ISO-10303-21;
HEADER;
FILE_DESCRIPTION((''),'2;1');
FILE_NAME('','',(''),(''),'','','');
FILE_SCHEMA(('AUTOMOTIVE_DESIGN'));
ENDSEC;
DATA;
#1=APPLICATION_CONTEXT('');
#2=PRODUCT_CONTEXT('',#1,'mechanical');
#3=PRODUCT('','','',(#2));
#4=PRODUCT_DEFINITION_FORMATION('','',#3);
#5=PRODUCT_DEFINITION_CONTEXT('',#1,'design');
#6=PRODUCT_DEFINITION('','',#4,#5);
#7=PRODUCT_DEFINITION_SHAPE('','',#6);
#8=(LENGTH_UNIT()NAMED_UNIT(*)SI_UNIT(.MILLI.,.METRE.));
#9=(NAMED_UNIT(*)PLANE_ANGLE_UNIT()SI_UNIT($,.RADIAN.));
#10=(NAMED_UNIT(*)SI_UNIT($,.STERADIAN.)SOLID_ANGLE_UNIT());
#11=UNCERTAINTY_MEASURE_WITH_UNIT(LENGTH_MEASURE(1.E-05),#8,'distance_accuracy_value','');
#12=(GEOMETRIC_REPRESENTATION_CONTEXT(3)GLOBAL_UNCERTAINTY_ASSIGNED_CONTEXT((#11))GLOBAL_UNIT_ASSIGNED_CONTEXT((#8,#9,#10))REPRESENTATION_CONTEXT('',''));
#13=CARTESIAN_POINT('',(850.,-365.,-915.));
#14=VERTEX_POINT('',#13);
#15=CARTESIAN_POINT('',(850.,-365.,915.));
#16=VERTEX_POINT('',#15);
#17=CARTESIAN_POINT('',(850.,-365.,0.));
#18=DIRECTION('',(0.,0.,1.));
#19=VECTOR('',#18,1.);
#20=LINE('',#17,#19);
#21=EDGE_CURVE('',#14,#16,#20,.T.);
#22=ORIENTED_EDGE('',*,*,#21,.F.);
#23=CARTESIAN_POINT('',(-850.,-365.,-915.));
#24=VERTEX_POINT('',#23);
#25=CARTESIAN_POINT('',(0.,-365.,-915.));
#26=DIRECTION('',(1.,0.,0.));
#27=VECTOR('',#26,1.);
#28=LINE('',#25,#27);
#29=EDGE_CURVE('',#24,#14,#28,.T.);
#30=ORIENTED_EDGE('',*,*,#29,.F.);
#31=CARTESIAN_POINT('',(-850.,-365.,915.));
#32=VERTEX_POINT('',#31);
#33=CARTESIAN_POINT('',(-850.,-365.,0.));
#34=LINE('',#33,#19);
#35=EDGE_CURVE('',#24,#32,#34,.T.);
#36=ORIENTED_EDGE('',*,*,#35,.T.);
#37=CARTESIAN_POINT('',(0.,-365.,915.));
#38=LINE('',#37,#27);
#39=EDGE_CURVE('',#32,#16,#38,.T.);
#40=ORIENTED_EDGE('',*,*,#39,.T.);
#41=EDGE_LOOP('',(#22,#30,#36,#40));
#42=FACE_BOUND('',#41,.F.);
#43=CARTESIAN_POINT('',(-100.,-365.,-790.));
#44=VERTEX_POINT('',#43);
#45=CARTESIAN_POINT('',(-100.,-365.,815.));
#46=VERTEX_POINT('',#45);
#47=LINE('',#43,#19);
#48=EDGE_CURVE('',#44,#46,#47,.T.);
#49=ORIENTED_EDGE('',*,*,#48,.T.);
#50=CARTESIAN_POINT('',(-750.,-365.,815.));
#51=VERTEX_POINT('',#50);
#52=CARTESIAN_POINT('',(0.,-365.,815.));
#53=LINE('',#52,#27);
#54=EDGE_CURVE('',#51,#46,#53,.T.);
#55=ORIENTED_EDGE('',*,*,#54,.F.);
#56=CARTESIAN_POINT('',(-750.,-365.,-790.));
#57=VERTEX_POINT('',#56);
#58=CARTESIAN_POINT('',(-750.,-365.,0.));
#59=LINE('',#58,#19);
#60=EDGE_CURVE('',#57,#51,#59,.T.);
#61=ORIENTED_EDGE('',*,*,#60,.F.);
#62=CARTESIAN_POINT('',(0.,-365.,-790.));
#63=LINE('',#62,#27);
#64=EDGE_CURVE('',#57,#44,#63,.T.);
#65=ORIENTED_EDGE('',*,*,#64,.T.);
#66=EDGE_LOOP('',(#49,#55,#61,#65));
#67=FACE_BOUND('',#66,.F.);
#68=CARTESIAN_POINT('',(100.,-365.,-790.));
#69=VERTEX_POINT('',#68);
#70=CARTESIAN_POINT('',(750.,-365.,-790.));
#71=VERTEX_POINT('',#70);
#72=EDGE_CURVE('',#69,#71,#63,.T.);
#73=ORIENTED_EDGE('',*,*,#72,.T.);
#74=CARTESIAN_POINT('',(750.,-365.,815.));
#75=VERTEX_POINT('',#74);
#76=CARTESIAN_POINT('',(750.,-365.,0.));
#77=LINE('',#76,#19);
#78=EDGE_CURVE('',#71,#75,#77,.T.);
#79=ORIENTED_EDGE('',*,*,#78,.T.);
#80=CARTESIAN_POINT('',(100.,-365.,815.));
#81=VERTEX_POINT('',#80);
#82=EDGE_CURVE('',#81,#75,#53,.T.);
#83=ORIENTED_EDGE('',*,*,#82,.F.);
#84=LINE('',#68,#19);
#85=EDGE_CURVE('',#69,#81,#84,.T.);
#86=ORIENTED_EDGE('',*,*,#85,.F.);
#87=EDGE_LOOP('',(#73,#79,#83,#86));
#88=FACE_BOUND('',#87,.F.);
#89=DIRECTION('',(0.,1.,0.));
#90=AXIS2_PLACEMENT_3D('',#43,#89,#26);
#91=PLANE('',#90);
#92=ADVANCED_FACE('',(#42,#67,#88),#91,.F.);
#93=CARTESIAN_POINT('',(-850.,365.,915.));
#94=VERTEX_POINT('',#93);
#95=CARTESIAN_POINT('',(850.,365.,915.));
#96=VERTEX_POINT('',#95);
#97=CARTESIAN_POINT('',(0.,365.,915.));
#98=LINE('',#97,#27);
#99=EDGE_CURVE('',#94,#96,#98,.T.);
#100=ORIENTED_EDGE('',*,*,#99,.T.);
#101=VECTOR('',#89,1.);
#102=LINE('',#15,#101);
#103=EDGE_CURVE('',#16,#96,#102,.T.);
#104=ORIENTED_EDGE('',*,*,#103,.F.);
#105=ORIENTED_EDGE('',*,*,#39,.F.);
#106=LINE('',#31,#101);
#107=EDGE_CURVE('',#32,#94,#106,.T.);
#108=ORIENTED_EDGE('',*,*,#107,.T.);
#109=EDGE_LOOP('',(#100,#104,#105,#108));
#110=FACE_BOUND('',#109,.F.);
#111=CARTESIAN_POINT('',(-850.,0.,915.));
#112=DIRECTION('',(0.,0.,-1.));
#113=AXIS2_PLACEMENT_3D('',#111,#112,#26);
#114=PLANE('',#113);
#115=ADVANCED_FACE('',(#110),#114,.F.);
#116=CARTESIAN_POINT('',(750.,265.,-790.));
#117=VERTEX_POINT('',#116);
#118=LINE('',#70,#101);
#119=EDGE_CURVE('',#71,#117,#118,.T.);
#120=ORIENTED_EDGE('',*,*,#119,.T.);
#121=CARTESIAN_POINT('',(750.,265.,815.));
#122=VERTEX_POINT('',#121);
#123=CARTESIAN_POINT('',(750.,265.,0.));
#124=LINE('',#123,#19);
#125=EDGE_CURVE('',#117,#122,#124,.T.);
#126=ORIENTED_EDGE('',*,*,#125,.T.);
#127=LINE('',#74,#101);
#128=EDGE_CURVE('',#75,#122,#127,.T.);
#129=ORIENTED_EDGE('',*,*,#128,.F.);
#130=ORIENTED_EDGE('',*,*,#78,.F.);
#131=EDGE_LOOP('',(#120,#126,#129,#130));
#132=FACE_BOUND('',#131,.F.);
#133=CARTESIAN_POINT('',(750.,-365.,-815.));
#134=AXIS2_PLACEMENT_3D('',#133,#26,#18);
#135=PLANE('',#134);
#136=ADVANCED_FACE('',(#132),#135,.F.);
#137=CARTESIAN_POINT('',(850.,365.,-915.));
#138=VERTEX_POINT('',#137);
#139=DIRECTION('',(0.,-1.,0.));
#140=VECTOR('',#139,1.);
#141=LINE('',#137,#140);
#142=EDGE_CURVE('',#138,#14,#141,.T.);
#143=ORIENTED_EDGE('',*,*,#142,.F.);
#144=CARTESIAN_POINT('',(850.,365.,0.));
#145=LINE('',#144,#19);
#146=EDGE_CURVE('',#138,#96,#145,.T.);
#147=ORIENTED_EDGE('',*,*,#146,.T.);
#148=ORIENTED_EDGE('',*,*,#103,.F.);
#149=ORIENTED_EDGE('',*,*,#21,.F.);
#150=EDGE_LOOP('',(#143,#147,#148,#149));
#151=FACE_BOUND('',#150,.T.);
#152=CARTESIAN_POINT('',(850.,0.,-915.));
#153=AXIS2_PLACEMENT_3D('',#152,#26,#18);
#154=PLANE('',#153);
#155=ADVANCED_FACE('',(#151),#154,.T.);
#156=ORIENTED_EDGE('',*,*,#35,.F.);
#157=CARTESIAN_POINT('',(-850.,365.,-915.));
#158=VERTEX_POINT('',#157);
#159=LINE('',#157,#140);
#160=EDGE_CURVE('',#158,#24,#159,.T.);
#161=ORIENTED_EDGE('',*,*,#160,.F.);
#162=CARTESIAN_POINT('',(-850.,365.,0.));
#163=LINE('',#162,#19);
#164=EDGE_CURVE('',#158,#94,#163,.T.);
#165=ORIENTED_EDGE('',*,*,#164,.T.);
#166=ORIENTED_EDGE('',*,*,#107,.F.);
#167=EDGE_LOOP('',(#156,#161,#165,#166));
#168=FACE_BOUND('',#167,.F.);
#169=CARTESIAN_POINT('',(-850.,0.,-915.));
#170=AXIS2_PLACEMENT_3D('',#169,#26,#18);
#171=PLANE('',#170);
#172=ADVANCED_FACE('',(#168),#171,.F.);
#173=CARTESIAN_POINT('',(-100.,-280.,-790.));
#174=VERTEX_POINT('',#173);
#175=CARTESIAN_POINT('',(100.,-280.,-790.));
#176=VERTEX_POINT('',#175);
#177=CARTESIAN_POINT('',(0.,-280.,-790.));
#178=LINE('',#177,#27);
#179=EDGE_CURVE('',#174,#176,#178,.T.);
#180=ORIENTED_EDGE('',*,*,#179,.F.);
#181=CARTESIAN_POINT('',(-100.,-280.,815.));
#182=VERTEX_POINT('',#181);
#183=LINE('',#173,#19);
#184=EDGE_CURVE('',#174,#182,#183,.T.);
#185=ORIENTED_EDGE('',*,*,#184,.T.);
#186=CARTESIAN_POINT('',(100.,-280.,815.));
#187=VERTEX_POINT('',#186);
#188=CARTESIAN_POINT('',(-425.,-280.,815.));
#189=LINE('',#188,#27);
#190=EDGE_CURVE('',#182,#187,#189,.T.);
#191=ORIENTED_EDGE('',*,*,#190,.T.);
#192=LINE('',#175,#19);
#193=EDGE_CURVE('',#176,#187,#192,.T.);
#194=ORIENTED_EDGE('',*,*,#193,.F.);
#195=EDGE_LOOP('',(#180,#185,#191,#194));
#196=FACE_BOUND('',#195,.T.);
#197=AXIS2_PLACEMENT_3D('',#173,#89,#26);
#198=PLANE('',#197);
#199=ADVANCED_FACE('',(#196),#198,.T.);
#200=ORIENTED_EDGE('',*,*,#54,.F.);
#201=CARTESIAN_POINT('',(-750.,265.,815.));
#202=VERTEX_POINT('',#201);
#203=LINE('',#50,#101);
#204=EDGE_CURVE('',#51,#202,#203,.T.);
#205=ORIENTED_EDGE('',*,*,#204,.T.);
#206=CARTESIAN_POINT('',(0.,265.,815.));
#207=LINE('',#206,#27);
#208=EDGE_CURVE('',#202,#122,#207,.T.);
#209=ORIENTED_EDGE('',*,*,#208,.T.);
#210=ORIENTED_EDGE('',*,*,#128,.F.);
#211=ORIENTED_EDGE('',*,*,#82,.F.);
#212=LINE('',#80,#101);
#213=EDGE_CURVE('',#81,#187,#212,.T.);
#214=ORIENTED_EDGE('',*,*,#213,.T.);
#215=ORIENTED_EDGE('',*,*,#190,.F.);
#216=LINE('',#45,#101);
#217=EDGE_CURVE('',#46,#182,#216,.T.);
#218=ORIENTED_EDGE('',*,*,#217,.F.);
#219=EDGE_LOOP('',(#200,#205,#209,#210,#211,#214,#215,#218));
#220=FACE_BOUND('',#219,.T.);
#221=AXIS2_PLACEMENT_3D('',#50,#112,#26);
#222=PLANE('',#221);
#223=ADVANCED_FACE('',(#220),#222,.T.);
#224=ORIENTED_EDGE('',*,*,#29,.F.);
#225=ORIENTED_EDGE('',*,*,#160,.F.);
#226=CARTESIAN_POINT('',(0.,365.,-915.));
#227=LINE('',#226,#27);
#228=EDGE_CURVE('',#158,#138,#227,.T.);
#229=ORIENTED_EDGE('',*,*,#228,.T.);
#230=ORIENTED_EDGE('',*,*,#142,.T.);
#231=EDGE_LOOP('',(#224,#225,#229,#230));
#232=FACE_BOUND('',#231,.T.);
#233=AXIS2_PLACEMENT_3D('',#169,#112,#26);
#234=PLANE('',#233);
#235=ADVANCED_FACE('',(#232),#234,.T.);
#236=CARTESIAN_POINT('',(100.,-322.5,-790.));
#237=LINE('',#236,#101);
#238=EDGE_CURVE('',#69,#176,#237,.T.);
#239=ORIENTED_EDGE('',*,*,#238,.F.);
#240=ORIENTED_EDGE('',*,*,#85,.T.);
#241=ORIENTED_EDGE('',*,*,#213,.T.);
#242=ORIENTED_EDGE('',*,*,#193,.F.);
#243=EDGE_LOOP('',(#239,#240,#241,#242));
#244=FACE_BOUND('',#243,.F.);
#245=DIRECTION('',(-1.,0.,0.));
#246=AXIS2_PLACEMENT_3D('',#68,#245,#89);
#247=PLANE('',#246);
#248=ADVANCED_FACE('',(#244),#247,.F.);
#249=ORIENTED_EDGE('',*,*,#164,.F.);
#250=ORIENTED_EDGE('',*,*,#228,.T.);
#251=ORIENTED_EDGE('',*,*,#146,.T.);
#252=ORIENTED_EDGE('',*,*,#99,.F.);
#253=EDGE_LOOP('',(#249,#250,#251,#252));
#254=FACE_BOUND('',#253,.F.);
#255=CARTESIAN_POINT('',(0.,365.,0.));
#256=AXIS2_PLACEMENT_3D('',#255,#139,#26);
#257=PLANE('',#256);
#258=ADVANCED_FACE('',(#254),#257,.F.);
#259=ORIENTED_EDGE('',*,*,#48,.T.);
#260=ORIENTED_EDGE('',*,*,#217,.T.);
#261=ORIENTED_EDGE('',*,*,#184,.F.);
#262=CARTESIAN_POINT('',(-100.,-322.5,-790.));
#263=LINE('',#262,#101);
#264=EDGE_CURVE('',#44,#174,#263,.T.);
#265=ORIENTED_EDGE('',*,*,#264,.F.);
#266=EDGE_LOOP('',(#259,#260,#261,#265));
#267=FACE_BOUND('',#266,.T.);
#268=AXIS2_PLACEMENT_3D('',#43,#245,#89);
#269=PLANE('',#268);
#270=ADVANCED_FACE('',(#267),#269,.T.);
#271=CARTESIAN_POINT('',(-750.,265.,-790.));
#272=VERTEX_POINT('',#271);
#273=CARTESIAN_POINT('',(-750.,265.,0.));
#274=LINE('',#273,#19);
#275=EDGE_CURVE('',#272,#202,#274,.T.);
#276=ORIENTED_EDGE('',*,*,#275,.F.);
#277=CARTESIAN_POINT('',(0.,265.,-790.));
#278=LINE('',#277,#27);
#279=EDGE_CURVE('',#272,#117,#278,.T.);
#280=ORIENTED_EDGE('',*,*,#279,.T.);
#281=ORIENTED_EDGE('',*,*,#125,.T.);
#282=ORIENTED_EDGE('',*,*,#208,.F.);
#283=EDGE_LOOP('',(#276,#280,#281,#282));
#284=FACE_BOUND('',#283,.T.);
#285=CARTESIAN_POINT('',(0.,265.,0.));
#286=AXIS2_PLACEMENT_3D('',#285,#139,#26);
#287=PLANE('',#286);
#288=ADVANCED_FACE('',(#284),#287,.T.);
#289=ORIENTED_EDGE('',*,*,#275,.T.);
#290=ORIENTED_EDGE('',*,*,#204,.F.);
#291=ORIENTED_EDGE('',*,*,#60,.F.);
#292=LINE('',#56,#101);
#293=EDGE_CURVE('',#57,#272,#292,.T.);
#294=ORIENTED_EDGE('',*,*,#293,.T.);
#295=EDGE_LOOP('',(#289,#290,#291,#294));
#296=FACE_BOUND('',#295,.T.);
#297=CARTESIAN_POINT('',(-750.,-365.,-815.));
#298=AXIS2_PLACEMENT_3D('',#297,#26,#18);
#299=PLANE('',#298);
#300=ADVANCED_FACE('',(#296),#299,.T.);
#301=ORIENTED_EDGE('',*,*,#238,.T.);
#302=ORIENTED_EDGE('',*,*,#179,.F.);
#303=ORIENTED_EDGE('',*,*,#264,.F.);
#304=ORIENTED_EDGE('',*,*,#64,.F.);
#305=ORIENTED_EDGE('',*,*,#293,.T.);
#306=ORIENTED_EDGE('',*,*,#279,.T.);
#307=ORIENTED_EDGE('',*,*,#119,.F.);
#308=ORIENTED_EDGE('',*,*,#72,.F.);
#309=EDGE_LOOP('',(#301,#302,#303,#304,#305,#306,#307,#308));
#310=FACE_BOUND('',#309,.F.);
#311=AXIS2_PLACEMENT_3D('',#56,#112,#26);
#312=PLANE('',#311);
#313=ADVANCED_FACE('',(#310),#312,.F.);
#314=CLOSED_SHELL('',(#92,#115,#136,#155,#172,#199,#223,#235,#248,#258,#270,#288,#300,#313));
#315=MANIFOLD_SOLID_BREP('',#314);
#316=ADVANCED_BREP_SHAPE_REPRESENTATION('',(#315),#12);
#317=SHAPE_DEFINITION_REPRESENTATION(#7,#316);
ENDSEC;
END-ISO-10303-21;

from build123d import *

# Parameters (mm, degrees)
F0_W     = 1700
F0_H     = 1830
F1_DEPTH = 365
F2_W     = 1500
F2_H     = 1630
F3_DEPTH = 630
F4_DEPTH = 25
F5_W     = 200
F5_H     = 85
F6_DEPTH = 1630


with BuildPart() as f1:
    # F0 (on Front) → F1 (new body, symmetric)
    with BuildSketch(Plane.XZ):
        Rectangle(F0_W, F0_H)
    extrude(amount=F1_DEPTH, both=True)

    # F2 (on face) → F3 (cut)
    with BuildSketch(Plane.XZ.offset(365)):
        Rectangle(F2_W, F2_H)
    extrude(amount=-F3_DEPTH, mode=Mode.SUBTRACT)

    # F4 (add): a face of the model
    f4_faces = [f1.faces().sort_by_distance(p)[0] for p in [
        (0, -50, -815),
    ]]
    extrude(f4_faces, amount=F4_DEPTH)

    # F5 (on face) → F6 (join)
    with BuildSketch(Plane.XY.offset(-790)):
        with Locations((0, -322.5)):
            Rectangle(F5_W, F5_H)
    extrude(amount=F6_DEPTH)


solid = f1.part
